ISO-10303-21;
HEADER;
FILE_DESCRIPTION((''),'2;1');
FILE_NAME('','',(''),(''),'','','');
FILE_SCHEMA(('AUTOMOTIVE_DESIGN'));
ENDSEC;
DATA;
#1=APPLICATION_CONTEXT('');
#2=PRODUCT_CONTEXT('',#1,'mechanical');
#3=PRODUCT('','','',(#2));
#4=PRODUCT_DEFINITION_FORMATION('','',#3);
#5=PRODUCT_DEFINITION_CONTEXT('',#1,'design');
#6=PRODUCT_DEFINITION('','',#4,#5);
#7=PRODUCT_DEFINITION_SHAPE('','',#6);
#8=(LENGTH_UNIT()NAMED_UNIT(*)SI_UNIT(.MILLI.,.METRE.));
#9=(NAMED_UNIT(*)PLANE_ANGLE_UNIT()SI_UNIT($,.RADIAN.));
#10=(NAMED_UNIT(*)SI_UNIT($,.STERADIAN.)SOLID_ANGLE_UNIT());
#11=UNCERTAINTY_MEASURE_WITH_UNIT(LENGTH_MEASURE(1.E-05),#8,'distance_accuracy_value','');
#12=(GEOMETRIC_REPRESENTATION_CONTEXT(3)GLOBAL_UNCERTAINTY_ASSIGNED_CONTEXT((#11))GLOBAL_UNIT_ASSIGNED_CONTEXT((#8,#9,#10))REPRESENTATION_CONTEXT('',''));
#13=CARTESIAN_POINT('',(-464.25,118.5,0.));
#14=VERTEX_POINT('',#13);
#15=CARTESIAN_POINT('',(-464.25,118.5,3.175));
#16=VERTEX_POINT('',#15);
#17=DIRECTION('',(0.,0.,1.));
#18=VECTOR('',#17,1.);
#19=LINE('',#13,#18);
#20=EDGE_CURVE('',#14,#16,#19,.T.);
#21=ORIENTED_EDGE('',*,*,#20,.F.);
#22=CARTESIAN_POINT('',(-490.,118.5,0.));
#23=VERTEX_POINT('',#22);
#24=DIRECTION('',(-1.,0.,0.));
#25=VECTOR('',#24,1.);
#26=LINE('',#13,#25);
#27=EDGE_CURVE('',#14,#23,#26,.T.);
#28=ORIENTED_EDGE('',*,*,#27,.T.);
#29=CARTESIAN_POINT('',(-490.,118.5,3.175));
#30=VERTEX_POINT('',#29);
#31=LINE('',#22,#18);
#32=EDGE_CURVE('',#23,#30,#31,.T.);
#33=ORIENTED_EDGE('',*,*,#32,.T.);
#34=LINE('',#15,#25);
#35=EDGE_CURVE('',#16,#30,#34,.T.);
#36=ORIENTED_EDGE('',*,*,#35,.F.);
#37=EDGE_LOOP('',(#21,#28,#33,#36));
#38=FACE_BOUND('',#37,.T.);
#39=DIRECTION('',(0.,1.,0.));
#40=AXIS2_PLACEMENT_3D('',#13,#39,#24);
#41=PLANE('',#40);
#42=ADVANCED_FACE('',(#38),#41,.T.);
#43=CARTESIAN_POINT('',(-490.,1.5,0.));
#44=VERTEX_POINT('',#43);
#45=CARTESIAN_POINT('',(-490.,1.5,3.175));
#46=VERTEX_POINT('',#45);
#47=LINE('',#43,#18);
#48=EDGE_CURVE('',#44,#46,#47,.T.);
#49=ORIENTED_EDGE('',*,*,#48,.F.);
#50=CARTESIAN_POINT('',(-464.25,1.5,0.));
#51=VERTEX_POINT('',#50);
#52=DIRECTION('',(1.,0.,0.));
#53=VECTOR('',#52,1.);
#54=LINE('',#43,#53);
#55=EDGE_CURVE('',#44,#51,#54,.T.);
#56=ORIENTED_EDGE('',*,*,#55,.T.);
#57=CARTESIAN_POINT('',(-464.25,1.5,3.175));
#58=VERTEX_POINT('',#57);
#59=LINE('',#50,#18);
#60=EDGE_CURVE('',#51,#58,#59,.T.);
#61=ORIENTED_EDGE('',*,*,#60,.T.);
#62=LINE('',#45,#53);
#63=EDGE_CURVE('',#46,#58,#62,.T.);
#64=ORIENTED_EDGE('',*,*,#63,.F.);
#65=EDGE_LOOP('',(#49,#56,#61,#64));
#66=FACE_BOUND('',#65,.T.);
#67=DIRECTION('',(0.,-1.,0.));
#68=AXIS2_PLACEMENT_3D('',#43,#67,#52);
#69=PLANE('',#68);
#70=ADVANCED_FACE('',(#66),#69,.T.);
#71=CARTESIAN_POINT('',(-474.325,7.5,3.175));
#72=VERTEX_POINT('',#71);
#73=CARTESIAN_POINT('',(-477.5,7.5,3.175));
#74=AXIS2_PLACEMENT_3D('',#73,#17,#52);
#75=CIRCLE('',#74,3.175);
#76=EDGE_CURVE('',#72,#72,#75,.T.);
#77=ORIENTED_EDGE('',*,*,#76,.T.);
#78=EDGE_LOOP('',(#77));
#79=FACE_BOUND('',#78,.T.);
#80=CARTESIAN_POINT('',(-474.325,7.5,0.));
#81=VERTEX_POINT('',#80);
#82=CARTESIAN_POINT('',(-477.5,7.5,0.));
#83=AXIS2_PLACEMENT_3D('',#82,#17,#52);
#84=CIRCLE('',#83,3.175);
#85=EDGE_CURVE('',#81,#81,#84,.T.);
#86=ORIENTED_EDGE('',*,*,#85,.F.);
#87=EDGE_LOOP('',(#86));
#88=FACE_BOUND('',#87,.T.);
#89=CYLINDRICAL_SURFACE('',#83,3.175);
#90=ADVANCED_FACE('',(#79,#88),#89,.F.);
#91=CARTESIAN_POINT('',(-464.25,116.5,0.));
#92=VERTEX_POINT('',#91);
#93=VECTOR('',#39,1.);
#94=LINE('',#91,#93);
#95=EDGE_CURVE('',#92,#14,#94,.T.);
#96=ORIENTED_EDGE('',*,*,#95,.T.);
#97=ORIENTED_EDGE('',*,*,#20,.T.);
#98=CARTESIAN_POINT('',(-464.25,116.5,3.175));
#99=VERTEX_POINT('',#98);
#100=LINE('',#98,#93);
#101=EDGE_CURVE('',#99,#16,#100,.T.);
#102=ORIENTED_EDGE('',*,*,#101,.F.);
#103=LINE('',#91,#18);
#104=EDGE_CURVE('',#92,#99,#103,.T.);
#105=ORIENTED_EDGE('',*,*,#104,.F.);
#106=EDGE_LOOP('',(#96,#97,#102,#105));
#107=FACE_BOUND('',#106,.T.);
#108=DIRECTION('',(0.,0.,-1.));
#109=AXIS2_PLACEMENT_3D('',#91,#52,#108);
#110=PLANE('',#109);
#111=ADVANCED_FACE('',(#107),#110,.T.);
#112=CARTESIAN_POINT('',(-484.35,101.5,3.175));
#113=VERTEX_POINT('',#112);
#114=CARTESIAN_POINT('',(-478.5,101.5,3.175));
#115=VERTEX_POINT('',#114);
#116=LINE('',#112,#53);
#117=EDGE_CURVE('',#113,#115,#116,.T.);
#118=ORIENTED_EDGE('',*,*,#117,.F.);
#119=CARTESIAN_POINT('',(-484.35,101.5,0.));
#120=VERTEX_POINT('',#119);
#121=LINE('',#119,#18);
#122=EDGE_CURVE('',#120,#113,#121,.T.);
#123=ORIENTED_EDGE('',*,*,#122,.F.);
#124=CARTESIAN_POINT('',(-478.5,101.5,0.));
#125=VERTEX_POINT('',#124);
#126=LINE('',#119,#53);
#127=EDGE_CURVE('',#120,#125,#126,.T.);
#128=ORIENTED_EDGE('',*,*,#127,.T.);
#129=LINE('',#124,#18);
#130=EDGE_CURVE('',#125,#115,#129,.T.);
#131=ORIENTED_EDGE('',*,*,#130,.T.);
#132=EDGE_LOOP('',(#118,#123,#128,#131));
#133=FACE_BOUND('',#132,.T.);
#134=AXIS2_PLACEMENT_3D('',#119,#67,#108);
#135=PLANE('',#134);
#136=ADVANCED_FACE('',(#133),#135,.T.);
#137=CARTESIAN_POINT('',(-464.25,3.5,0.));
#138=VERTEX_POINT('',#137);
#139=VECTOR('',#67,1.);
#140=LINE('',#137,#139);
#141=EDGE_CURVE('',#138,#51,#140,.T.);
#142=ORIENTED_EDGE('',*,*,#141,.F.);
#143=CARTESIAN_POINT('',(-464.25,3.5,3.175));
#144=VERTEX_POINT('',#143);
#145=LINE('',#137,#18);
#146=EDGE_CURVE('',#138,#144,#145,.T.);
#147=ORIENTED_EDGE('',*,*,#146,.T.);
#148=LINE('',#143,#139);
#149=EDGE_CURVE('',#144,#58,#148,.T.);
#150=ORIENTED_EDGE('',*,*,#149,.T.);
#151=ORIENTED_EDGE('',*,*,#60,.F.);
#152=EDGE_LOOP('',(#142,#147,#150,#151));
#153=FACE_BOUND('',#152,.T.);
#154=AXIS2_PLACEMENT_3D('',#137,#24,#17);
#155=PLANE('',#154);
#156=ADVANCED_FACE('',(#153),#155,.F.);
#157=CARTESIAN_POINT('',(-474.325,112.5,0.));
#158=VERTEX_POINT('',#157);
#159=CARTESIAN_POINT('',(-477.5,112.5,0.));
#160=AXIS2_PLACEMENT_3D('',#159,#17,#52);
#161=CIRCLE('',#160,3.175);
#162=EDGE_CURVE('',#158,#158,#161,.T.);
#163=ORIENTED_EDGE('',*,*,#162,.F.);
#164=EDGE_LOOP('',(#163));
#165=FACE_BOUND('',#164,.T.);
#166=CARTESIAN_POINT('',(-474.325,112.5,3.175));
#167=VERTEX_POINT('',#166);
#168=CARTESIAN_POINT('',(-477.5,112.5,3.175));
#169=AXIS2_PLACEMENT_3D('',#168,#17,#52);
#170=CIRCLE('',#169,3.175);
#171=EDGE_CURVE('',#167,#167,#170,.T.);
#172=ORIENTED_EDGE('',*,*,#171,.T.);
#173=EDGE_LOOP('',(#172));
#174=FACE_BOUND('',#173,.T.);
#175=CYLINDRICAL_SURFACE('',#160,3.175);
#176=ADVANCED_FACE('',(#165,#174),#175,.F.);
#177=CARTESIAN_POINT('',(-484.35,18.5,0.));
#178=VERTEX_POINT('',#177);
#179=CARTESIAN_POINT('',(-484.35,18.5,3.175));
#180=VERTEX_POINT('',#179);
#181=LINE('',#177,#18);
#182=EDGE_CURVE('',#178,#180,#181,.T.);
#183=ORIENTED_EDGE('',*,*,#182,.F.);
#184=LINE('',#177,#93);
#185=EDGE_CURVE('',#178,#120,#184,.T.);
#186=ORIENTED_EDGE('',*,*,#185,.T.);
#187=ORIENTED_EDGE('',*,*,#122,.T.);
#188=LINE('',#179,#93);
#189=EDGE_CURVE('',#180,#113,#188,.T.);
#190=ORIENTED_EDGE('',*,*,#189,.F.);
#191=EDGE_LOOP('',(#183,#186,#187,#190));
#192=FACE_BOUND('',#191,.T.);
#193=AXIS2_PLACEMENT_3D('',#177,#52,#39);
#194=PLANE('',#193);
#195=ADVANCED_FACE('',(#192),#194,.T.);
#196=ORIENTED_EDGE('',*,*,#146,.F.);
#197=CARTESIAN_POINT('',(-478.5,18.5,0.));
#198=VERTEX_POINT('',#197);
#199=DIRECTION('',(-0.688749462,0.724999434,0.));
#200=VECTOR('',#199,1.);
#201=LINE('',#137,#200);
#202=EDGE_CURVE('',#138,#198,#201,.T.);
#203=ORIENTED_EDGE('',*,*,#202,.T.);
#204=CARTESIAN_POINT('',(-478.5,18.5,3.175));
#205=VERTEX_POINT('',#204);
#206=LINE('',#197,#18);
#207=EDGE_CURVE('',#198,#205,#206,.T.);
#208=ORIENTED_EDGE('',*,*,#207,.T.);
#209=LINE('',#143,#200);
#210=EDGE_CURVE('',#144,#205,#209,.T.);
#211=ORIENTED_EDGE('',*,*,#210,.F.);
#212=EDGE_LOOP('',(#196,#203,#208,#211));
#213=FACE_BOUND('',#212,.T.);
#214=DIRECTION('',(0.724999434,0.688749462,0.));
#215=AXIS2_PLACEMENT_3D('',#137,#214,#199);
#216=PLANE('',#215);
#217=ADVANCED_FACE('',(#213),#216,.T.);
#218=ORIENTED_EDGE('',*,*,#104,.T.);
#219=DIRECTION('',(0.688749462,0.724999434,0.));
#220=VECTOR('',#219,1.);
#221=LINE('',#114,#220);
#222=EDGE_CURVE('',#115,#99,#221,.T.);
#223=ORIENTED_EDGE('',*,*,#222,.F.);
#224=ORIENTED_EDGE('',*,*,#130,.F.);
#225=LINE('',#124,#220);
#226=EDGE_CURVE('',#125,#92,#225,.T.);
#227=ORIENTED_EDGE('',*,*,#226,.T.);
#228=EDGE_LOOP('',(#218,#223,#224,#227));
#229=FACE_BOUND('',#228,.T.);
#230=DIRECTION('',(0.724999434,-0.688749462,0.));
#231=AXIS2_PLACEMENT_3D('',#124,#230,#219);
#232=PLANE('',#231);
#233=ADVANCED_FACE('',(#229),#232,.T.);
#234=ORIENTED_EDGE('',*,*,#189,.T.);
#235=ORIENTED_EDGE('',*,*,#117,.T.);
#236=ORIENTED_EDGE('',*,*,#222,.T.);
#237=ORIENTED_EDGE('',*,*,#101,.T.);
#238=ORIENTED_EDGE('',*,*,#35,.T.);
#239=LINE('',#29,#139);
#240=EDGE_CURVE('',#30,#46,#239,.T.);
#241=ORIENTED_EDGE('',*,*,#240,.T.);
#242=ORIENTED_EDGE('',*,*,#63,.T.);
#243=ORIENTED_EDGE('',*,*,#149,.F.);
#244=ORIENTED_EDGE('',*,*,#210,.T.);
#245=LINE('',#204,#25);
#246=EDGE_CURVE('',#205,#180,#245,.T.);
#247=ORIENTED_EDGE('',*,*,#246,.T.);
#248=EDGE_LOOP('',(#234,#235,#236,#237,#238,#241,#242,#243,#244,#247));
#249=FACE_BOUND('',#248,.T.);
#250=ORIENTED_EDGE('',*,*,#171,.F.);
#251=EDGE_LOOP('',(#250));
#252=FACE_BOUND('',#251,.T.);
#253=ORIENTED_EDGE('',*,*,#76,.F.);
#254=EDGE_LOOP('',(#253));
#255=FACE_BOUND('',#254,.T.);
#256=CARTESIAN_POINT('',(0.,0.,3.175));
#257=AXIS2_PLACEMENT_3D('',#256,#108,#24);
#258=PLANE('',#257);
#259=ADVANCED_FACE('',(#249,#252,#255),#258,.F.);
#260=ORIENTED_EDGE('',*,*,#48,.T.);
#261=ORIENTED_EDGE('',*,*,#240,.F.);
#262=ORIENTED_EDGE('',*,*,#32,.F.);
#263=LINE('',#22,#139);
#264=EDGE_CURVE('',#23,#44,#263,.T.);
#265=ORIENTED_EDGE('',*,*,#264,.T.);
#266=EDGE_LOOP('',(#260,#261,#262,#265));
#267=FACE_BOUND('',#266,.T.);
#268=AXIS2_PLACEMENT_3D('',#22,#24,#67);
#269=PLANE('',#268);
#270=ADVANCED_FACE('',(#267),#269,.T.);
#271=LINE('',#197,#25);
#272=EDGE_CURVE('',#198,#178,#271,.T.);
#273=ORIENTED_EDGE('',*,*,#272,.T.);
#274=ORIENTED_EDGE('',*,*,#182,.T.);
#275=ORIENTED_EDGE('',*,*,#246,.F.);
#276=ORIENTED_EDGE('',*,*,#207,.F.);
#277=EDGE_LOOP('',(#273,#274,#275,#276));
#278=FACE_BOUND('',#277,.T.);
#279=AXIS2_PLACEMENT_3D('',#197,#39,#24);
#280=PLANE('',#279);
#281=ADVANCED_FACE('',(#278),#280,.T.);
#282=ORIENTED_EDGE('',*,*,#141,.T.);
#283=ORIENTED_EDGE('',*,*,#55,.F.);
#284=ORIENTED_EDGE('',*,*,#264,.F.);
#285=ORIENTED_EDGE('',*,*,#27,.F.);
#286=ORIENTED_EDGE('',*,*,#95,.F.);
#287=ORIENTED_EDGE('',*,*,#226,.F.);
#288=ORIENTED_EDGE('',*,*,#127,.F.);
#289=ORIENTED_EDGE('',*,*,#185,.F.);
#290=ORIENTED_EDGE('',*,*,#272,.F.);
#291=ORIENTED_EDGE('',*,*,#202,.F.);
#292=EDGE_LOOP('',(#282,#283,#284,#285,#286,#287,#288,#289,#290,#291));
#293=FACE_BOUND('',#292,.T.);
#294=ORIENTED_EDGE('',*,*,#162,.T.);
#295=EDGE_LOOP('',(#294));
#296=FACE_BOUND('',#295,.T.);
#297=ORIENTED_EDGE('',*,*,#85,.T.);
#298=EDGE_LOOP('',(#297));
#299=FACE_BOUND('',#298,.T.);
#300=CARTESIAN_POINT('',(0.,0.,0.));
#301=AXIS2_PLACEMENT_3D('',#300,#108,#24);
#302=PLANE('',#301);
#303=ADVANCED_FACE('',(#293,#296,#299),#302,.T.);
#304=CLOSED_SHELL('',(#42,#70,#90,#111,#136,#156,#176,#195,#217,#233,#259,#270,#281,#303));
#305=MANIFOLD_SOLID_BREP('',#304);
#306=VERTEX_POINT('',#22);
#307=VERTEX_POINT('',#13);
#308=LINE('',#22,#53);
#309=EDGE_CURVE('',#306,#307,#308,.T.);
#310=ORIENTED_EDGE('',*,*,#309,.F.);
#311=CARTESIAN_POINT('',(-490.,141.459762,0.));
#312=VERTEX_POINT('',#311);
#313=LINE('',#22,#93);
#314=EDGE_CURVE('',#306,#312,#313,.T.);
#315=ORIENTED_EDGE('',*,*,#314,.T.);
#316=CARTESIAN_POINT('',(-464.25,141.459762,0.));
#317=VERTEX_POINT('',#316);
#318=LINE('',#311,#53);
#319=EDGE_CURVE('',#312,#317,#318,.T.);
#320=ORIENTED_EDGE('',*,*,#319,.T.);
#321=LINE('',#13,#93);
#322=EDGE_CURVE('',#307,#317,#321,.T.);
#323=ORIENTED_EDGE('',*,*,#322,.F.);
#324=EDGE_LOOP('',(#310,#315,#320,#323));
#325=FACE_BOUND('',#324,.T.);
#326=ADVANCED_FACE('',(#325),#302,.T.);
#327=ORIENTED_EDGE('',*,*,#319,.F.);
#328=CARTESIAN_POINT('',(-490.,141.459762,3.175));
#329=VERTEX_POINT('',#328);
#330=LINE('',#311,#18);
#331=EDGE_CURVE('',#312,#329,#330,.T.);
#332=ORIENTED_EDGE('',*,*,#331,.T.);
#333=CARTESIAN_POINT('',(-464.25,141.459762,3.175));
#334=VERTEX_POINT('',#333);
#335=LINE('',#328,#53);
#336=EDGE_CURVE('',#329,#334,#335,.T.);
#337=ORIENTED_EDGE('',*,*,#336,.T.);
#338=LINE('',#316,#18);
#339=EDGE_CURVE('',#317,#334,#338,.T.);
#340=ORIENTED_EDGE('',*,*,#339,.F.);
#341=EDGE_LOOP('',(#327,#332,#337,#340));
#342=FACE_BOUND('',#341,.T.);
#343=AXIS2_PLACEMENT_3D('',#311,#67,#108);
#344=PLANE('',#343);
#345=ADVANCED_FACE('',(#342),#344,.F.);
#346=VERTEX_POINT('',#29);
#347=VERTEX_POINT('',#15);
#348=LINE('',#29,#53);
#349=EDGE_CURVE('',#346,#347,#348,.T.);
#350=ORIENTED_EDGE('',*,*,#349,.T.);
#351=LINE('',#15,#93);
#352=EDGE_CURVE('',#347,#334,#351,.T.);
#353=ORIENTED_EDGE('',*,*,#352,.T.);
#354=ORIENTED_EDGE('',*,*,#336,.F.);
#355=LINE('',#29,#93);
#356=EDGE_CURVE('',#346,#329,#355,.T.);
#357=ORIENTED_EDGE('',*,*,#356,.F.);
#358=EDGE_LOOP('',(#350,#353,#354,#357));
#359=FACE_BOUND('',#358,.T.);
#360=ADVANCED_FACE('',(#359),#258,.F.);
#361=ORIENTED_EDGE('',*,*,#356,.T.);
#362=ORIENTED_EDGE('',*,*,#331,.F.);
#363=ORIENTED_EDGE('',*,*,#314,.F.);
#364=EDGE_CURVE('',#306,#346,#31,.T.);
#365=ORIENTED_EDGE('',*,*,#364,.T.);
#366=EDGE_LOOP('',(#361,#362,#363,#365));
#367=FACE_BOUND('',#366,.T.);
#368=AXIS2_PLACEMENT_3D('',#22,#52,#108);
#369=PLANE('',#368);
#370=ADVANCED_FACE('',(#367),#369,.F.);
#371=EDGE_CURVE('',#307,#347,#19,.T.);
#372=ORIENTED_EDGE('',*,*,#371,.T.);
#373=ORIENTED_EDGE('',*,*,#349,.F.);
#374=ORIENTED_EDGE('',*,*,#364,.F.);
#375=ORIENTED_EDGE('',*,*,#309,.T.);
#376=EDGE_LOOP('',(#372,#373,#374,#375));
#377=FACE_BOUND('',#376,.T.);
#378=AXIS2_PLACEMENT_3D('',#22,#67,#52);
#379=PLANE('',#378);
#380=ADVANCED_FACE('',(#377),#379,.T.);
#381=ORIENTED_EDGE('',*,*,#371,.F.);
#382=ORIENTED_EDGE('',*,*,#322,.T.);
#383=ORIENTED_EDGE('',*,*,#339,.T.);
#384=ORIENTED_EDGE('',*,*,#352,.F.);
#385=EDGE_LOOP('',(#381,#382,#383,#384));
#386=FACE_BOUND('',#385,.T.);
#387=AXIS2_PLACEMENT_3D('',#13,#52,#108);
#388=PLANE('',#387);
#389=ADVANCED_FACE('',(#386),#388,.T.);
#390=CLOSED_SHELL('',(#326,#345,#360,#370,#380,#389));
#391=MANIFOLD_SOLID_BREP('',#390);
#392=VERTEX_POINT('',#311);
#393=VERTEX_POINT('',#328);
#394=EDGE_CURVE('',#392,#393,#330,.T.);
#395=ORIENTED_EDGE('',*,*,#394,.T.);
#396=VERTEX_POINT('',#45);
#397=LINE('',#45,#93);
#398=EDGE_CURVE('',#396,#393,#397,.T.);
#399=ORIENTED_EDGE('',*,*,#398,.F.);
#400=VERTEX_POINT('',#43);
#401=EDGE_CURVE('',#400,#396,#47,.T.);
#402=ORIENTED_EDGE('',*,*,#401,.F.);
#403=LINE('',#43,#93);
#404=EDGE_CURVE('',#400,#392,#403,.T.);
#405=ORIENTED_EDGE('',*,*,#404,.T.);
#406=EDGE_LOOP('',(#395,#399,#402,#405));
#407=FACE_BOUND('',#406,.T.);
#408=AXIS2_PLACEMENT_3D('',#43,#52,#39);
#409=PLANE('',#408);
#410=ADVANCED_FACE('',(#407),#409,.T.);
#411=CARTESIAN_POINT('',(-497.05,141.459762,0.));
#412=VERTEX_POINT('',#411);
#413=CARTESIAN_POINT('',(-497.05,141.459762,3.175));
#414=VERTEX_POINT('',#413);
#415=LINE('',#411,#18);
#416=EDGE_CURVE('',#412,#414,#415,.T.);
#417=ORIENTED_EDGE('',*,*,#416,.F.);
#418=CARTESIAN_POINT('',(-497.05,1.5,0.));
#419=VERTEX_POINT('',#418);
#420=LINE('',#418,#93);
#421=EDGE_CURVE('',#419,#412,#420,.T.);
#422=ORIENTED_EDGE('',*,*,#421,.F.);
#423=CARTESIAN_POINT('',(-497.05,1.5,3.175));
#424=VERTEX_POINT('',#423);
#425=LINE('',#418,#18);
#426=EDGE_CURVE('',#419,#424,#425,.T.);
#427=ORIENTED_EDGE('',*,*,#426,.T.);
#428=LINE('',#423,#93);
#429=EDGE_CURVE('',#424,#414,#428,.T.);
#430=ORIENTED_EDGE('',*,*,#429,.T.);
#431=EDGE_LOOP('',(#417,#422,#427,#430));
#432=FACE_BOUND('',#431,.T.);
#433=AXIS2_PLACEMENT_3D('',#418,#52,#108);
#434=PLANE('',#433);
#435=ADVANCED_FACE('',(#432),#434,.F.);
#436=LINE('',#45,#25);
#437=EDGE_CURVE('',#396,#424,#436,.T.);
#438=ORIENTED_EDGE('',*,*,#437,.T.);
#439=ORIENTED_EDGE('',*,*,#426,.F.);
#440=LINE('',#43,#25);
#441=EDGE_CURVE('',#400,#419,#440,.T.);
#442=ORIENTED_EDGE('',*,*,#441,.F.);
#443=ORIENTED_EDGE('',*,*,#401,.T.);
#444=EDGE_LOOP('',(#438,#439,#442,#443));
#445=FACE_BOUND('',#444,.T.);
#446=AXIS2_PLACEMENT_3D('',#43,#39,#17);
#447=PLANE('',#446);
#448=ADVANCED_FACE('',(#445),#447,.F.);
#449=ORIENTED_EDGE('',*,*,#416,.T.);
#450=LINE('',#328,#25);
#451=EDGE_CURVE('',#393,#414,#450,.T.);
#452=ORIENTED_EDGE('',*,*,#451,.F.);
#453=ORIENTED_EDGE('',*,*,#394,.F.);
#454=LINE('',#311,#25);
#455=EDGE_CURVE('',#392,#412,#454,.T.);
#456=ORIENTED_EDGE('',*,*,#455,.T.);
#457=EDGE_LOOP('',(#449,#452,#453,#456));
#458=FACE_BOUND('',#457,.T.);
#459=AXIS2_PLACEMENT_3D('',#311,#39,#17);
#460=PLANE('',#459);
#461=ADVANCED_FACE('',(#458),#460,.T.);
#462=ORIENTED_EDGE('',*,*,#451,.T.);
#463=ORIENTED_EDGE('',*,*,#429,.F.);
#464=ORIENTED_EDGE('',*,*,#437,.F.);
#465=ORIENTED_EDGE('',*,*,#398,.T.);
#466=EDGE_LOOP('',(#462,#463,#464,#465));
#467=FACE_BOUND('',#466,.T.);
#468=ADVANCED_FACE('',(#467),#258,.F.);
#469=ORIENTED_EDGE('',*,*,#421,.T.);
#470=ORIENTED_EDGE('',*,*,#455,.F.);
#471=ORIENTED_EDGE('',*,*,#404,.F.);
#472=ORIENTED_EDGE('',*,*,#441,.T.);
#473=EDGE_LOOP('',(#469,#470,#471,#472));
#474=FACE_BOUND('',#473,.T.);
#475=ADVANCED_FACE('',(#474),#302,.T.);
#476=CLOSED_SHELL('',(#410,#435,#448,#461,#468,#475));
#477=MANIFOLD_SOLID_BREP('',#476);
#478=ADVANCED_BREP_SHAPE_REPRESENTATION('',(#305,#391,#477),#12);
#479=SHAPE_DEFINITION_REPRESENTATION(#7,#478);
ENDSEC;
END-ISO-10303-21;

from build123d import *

# Parameters (mm, degrees)
F_3DSKETCH1_R         = 3.175
BOSS_EXTRUDE1_DEPTH   = 3.175
BOSS_EXTRUDE1_2_DEPTH = 3.175
BOSS_EXTRUDE1_3_DEPTH = 3.175


with BuildPart() as part:
    # 3DSketch1 → Boss-Extrude1 (new body)
    with BuildSketch(Plane(origin=(-464.25, 116.5, 0), x_dir=(-0.2742793236442644, -0.961650067655197, 0), z_dir=(0, 0, -1))):
        Polygon((-1.923300135, 0.548558647), (0, 0), (18.333231377, 9.589323609), (19.93776542, 15.214976505), (99.754721035, -7.550207357), (98.150186992, -13.175860253), (108.666457645, -30.993563572), (110.58975778, -31.542122219), (117.652450364, -6.779632977), (5.139392449, 25.311047889), align=None)
        with Locations(Location((108.454058413, -17.154582881, 0), (0, 0, 254.080928829))):
            Circle(F_3DSKETCH1_R, mode=Mode.SUBTRACT)
        with Locations(Location((7.480801309, 11.644746102, 0), (0, 0, 254.080928829))):
            Circle(F_3DSKETCH1_R, mode=Mode.SUBTRACT)
    extrude(amount=-BOSS_EXTRUDE1_DEPTH)


with BuildPart() as body_2:
    # 3DSketch1 → Boss-Extrude1 2 (new body)
    with BuildSketch(Plane(origin=(-464.25, 116.5, 0), x_dir=(-0.2742793236442644, -0.961650067655197, 0), z_dir=(0, 0, -1))):
        Polygon((-24.002556771, 6.845946627), (-1.923300135, 0.548558647), (5.139392449, 25.311047889), (-16.939864187, 31.608435869), align=None)
    extrude(amount=-BOSS_EXTRUDE1_2_DEPTH)


with BuildPart() as body_3:
    # 3DSketch1 → Boss-Extrude1 3 (new body)
    with BuildSketch(Plane(origin=(-464.25, 116.5, 0), x_dir=(-0.2742793236442644, -0.961650067655197, 0), z_dir=(0, 0, -1))):
        Polygon((-16.939864187, 31.608435869), (5.139392449, 25.311047889), (117.652450364, -6.779632977), (119.586119596, 0), (-15.006194955, 38.388068846), align=None)
    extrude(amount=-BOSS_EXTRUDE1_3_DEPTH)


solid = Compound([part.part, body_2.part, body_3.part])
